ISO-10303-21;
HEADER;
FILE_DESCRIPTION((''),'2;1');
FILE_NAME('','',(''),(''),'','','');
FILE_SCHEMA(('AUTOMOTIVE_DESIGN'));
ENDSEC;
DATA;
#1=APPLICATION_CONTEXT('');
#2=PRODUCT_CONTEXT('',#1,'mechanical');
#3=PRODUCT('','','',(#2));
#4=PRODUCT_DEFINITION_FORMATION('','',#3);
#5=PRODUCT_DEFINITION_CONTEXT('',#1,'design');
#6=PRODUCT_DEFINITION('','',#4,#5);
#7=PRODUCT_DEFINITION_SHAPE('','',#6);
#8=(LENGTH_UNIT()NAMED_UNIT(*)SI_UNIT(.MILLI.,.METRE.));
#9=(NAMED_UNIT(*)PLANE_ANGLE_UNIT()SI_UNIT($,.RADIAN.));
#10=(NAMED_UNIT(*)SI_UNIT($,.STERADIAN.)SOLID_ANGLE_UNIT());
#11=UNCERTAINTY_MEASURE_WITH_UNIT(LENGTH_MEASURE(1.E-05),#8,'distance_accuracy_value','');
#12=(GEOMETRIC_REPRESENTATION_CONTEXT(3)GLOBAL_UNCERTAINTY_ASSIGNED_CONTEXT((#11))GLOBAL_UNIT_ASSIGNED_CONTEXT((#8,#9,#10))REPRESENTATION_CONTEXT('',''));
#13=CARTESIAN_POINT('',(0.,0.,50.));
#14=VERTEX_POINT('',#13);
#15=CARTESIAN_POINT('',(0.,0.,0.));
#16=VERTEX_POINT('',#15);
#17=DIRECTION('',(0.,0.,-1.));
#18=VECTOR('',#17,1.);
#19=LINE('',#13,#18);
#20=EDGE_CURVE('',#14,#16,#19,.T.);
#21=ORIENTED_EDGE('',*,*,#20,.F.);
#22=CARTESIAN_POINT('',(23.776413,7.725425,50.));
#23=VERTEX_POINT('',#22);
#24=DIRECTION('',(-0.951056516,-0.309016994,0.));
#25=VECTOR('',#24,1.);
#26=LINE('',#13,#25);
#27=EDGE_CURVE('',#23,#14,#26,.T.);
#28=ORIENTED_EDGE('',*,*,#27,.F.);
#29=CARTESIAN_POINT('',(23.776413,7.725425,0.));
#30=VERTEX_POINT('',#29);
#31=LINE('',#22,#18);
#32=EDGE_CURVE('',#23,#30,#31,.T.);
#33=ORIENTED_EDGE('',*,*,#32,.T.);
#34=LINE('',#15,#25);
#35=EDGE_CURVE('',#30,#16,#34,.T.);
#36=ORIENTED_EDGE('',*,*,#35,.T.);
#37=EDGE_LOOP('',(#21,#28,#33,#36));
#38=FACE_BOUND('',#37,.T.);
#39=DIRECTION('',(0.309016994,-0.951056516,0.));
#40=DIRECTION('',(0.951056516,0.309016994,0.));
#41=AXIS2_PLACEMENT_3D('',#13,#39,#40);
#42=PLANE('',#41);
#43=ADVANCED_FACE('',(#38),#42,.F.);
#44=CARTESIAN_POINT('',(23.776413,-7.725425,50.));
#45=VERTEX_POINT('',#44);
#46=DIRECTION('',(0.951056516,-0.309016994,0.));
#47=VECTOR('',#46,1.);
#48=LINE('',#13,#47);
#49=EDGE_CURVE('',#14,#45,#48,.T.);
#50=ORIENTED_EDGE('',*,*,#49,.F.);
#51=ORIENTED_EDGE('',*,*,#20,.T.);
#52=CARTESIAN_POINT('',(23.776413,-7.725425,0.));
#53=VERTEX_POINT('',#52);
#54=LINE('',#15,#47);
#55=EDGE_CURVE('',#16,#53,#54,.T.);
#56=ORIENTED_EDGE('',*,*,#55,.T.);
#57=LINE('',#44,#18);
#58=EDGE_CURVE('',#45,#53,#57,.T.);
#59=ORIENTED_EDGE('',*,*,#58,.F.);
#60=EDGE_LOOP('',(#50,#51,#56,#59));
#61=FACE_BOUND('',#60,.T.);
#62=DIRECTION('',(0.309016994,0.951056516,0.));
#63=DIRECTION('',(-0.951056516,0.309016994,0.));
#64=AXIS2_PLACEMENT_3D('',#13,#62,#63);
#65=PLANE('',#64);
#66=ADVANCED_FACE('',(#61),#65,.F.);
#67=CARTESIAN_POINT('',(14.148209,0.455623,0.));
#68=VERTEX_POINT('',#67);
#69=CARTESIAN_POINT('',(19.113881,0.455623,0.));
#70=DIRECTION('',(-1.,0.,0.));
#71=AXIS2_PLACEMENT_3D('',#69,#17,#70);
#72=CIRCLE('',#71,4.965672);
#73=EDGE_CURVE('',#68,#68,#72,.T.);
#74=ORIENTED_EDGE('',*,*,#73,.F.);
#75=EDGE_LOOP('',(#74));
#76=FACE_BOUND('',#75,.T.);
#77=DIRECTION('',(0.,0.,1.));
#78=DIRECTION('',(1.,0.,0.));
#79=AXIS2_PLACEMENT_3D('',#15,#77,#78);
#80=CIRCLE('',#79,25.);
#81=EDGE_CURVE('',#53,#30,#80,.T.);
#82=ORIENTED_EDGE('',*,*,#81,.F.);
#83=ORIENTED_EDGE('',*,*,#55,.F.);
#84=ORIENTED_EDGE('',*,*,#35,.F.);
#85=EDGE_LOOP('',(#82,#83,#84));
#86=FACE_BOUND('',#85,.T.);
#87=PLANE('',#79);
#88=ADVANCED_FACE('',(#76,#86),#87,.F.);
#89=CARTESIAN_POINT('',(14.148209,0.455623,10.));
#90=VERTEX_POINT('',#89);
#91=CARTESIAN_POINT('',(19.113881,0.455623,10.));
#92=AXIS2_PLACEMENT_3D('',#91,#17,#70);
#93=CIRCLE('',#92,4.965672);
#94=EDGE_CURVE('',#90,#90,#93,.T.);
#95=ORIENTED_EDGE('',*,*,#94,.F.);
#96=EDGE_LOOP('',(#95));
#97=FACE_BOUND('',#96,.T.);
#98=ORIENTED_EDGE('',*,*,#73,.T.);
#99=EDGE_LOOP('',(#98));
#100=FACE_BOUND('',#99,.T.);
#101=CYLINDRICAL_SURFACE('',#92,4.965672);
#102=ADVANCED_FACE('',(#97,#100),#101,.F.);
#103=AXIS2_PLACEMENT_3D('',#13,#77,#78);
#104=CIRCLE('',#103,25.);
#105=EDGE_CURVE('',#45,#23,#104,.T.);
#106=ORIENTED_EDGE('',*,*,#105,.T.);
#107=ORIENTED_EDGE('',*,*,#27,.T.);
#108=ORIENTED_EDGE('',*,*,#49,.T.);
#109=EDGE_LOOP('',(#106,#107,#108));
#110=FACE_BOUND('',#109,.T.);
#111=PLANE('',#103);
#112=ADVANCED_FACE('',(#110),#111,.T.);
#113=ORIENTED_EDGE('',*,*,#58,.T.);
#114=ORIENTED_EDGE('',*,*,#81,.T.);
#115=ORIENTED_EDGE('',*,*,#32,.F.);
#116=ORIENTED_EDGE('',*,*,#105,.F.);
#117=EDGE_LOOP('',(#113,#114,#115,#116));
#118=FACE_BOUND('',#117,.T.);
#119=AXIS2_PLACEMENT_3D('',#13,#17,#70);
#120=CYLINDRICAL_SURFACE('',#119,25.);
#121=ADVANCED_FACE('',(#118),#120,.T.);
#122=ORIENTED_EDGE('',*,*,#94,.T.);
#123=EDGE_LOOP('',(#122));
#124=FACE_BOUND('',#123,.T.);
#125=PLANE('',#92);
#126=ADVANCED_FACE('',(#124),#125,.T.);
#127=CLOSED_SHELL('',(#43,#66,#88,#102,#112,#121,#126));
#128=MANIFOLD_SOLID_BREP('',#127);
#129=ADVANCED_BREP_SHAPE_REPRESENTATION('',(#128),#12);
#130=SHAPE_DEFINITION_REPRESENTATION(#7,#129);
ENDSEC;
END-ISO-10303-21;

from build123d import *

# Parameters (mm, degrees)
SALIENTE_EXTRUIR1_DEPTH = 50
CROQUIS2_R              = 4.965671832
CORTAR_EXTRUIR1_DEPTH   = 10


with BuildPart() as part:
    # Croquis1 → Saliente-Extruir1 (new body)
    with BuildSketch(Plane.XY):
        with BuildLine():
            Line((0, 0), (23.776412907, 7.725424859))
            ThreePointArc((23.776412907, 7.725424859), (25, 0), (23.776412907, -7.725424859))
            Line((23.776412907, -7.725424859), (0, 0))
        make_face()
    extrude(amount=SALIENTE_EXTRUIR1_DEPTH)

    # Croquis2 → Cortar-Extruir1 (cut)
    with BuildSketch(Plane(origin=(0, 0, 0), x_dir=(-1, 0, 0), z_dir=(0, 0, -1))):
        with Locations((-19.11388098, 0.455622912)):
            Circle(CROQUIS2_R)
    extrude(amount=-CORTAR_EXTRUIR1_DEPTH, mode=Mode.SUBTRACT)


solid = part.part
